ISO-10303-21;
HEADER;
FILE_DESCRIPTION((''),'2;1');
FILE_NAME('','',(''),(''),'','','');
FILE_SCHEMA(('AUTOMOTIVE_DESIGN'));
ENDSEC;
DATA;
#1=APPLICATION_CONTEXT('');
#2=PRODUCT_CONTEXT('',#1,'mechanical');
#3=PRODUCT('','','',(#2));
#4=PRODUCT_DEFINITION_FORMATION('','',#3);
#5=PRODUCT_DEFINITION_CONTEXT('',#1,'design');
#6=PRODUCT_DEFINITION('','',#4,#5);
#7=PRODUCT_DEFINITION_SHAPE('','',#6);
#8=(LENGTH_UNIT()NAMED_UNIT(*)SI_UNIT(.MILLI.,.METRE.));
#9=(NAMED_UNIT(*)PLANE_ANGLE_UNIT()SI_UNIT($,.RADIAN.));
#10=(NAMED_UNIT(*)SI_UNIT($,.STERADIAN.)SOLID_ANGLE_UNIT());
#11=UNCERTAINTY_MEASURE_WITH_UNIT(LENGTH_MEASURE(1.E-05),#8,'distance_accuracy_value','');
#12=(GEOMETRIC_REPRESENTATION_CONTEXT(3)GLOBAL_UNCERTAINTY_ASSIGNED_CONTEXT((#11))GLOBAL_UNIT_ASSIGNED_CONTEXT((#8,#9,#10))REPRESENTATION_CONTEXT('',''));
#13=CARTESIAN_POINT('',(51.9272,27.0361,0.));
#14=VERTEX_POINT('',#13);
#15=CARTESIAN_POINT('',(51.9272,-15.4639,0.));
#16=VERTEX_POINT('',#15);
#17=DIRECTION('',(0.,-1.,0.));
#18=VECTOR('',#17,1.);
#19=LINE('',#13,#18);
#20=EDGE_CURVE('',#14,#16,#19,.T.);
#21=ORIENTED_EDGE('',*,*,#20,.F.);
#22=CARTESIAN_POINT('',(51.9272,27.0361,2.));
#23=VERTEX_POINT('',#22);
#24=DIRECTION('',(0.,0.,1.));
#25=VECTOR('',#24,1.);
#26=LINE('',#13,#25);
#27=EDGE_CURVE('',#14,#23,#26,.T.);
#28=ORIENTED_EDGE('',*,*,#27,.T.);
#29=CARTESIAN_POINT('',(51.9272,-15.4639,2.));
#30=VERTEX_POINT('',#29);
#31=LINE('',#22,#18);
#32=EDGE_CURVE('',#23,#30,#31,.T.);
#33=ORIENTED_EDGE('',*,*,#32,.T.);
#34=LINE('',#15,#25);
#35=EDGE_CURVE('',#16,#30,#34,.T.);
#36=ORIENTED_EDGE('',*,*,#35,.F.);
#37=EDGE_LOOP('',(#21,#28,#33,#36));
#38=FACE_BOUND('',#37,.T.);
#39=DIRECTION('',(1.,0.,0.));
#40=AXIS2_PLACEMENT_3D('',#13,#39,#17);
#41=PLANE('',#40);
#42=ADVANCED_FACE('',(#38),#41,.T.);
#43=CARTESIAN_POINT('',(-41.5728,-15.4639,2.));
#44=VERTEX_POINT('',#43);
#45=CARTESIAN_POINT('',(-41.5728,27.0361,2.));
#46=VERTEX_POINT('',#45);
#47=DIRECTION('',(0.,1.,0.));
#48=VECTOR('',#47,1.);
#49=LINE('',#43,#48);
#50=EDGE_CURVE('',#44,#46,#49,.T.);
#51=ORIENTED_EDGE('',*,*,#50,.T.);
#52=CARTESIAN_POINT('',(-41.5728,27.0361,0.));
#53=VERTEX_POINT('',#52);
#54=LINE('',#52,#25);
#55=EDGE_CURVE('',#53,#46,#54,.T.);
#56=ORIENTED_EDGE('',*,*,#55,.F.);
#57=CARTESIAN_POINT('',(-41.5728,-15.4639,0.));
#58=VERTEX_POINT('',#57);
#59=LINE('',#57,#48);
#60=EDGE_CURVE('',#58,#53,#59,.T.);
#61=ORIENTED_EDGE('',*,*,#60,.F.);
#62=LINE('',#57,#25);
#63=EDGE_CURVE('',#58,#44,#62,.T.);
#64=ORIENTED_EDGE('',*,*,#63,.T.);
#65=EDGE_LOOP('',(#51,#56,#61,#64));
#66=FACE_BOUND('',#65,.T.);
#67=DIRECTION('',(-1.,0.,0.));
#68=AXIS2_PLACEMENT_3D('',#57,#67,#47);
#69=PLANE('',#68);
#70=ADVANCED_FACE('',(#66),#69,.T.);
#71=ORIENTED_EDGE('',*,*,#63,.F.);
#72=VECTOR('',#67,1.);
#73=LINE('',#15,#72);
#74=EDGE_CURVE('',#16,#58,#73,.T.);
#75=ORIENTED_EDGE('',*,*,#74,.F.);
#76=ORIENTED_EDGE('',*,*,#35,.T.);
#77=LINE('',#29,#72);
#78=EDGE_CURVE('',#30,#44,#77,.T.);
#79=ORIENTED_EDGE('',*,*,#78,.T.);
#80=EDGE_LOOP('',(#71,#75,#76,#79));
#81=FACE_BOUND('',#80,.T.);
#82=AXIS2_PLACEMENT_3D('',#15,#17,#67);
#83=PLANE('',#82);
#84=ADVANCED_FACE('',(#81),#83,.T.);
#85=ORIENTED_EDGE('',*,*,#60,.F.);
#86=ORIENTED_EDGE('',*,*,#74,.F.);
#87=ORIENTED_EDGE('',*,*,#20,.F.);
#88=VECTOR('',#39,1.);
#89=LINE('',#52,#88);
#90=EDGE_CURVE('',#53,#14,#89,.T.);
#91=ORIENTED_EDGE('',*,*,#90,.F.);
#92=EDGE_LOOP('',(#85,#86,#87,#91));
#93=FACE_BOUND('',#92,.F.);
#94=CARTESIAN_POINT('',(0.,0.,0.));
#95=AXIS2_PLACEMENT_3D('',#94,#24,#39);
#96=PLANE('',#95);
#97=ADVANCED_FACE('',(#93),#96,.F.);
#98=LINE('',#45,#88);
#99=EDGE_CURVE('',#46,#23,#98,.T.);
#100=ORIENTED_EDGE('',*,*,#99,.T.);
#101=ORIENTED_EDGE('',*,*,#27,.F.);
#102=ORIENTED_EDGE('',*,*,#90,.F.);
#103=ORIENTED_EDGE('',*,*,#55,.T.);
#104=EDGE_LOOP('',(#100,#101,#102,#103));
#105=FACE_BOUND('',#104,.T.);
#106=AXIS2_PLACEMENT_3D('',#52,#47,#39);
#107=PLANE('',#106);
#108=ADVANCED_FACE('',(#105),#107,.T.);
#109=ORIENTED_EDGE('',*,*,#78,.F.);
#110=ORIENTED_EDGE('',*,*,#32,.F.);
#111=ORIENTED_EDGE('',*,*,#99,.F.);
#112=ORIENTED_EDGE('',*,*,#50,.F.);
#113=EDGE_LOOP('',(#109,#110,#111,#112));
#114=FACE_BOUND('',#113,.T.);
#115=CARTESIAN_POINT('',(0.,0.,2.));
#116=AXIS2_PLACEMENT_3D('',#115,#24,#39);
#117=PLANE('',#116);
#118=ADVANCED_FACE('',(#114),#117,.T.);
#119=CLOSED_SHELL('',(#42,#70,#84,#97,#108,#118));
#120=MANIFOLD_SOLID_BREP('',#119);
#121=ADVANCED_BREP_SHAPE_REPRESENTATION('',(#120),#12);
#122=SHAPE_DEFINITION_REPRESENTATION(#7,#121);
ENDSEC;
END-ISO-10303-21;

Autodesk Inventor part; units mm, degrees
ref_plane "YZ Plane" through (0, 0, 0) normal (1, 0, 0) x (0, 1, 0)
ref_plane "XZ Plane" through (0, 0, 0) normal (0, 1, 0) x (-1, 0, 0)
ref_plane "XY Plane" through (0, 0, 0) normal (0, 0, 1) x (1, 0, 0)
sketch "Sketch1" plane through (0, 0, 0) normal (0, 0, 1) x (1, 0, 0)
  line L0 (-41.5728, 27.0361) -> (51.9272, 27.0361)
  line L1 (51.9272, 27.0361) -> (51.9272, -15.4639)
  line L2 (51.9272, -15.4639) -> (-41.5728, -15.4639)
  line L3 (-41.5728, -15.4639) -> (-41.5728, 27.0361)
  point P0 (0, 0)
  dimension "d0" = 93.5
  dimension "d1" = 42.5
extrude "Extrusion1" add sketch "Sketch1" along normal blind 2
properties part number "side-panels"
